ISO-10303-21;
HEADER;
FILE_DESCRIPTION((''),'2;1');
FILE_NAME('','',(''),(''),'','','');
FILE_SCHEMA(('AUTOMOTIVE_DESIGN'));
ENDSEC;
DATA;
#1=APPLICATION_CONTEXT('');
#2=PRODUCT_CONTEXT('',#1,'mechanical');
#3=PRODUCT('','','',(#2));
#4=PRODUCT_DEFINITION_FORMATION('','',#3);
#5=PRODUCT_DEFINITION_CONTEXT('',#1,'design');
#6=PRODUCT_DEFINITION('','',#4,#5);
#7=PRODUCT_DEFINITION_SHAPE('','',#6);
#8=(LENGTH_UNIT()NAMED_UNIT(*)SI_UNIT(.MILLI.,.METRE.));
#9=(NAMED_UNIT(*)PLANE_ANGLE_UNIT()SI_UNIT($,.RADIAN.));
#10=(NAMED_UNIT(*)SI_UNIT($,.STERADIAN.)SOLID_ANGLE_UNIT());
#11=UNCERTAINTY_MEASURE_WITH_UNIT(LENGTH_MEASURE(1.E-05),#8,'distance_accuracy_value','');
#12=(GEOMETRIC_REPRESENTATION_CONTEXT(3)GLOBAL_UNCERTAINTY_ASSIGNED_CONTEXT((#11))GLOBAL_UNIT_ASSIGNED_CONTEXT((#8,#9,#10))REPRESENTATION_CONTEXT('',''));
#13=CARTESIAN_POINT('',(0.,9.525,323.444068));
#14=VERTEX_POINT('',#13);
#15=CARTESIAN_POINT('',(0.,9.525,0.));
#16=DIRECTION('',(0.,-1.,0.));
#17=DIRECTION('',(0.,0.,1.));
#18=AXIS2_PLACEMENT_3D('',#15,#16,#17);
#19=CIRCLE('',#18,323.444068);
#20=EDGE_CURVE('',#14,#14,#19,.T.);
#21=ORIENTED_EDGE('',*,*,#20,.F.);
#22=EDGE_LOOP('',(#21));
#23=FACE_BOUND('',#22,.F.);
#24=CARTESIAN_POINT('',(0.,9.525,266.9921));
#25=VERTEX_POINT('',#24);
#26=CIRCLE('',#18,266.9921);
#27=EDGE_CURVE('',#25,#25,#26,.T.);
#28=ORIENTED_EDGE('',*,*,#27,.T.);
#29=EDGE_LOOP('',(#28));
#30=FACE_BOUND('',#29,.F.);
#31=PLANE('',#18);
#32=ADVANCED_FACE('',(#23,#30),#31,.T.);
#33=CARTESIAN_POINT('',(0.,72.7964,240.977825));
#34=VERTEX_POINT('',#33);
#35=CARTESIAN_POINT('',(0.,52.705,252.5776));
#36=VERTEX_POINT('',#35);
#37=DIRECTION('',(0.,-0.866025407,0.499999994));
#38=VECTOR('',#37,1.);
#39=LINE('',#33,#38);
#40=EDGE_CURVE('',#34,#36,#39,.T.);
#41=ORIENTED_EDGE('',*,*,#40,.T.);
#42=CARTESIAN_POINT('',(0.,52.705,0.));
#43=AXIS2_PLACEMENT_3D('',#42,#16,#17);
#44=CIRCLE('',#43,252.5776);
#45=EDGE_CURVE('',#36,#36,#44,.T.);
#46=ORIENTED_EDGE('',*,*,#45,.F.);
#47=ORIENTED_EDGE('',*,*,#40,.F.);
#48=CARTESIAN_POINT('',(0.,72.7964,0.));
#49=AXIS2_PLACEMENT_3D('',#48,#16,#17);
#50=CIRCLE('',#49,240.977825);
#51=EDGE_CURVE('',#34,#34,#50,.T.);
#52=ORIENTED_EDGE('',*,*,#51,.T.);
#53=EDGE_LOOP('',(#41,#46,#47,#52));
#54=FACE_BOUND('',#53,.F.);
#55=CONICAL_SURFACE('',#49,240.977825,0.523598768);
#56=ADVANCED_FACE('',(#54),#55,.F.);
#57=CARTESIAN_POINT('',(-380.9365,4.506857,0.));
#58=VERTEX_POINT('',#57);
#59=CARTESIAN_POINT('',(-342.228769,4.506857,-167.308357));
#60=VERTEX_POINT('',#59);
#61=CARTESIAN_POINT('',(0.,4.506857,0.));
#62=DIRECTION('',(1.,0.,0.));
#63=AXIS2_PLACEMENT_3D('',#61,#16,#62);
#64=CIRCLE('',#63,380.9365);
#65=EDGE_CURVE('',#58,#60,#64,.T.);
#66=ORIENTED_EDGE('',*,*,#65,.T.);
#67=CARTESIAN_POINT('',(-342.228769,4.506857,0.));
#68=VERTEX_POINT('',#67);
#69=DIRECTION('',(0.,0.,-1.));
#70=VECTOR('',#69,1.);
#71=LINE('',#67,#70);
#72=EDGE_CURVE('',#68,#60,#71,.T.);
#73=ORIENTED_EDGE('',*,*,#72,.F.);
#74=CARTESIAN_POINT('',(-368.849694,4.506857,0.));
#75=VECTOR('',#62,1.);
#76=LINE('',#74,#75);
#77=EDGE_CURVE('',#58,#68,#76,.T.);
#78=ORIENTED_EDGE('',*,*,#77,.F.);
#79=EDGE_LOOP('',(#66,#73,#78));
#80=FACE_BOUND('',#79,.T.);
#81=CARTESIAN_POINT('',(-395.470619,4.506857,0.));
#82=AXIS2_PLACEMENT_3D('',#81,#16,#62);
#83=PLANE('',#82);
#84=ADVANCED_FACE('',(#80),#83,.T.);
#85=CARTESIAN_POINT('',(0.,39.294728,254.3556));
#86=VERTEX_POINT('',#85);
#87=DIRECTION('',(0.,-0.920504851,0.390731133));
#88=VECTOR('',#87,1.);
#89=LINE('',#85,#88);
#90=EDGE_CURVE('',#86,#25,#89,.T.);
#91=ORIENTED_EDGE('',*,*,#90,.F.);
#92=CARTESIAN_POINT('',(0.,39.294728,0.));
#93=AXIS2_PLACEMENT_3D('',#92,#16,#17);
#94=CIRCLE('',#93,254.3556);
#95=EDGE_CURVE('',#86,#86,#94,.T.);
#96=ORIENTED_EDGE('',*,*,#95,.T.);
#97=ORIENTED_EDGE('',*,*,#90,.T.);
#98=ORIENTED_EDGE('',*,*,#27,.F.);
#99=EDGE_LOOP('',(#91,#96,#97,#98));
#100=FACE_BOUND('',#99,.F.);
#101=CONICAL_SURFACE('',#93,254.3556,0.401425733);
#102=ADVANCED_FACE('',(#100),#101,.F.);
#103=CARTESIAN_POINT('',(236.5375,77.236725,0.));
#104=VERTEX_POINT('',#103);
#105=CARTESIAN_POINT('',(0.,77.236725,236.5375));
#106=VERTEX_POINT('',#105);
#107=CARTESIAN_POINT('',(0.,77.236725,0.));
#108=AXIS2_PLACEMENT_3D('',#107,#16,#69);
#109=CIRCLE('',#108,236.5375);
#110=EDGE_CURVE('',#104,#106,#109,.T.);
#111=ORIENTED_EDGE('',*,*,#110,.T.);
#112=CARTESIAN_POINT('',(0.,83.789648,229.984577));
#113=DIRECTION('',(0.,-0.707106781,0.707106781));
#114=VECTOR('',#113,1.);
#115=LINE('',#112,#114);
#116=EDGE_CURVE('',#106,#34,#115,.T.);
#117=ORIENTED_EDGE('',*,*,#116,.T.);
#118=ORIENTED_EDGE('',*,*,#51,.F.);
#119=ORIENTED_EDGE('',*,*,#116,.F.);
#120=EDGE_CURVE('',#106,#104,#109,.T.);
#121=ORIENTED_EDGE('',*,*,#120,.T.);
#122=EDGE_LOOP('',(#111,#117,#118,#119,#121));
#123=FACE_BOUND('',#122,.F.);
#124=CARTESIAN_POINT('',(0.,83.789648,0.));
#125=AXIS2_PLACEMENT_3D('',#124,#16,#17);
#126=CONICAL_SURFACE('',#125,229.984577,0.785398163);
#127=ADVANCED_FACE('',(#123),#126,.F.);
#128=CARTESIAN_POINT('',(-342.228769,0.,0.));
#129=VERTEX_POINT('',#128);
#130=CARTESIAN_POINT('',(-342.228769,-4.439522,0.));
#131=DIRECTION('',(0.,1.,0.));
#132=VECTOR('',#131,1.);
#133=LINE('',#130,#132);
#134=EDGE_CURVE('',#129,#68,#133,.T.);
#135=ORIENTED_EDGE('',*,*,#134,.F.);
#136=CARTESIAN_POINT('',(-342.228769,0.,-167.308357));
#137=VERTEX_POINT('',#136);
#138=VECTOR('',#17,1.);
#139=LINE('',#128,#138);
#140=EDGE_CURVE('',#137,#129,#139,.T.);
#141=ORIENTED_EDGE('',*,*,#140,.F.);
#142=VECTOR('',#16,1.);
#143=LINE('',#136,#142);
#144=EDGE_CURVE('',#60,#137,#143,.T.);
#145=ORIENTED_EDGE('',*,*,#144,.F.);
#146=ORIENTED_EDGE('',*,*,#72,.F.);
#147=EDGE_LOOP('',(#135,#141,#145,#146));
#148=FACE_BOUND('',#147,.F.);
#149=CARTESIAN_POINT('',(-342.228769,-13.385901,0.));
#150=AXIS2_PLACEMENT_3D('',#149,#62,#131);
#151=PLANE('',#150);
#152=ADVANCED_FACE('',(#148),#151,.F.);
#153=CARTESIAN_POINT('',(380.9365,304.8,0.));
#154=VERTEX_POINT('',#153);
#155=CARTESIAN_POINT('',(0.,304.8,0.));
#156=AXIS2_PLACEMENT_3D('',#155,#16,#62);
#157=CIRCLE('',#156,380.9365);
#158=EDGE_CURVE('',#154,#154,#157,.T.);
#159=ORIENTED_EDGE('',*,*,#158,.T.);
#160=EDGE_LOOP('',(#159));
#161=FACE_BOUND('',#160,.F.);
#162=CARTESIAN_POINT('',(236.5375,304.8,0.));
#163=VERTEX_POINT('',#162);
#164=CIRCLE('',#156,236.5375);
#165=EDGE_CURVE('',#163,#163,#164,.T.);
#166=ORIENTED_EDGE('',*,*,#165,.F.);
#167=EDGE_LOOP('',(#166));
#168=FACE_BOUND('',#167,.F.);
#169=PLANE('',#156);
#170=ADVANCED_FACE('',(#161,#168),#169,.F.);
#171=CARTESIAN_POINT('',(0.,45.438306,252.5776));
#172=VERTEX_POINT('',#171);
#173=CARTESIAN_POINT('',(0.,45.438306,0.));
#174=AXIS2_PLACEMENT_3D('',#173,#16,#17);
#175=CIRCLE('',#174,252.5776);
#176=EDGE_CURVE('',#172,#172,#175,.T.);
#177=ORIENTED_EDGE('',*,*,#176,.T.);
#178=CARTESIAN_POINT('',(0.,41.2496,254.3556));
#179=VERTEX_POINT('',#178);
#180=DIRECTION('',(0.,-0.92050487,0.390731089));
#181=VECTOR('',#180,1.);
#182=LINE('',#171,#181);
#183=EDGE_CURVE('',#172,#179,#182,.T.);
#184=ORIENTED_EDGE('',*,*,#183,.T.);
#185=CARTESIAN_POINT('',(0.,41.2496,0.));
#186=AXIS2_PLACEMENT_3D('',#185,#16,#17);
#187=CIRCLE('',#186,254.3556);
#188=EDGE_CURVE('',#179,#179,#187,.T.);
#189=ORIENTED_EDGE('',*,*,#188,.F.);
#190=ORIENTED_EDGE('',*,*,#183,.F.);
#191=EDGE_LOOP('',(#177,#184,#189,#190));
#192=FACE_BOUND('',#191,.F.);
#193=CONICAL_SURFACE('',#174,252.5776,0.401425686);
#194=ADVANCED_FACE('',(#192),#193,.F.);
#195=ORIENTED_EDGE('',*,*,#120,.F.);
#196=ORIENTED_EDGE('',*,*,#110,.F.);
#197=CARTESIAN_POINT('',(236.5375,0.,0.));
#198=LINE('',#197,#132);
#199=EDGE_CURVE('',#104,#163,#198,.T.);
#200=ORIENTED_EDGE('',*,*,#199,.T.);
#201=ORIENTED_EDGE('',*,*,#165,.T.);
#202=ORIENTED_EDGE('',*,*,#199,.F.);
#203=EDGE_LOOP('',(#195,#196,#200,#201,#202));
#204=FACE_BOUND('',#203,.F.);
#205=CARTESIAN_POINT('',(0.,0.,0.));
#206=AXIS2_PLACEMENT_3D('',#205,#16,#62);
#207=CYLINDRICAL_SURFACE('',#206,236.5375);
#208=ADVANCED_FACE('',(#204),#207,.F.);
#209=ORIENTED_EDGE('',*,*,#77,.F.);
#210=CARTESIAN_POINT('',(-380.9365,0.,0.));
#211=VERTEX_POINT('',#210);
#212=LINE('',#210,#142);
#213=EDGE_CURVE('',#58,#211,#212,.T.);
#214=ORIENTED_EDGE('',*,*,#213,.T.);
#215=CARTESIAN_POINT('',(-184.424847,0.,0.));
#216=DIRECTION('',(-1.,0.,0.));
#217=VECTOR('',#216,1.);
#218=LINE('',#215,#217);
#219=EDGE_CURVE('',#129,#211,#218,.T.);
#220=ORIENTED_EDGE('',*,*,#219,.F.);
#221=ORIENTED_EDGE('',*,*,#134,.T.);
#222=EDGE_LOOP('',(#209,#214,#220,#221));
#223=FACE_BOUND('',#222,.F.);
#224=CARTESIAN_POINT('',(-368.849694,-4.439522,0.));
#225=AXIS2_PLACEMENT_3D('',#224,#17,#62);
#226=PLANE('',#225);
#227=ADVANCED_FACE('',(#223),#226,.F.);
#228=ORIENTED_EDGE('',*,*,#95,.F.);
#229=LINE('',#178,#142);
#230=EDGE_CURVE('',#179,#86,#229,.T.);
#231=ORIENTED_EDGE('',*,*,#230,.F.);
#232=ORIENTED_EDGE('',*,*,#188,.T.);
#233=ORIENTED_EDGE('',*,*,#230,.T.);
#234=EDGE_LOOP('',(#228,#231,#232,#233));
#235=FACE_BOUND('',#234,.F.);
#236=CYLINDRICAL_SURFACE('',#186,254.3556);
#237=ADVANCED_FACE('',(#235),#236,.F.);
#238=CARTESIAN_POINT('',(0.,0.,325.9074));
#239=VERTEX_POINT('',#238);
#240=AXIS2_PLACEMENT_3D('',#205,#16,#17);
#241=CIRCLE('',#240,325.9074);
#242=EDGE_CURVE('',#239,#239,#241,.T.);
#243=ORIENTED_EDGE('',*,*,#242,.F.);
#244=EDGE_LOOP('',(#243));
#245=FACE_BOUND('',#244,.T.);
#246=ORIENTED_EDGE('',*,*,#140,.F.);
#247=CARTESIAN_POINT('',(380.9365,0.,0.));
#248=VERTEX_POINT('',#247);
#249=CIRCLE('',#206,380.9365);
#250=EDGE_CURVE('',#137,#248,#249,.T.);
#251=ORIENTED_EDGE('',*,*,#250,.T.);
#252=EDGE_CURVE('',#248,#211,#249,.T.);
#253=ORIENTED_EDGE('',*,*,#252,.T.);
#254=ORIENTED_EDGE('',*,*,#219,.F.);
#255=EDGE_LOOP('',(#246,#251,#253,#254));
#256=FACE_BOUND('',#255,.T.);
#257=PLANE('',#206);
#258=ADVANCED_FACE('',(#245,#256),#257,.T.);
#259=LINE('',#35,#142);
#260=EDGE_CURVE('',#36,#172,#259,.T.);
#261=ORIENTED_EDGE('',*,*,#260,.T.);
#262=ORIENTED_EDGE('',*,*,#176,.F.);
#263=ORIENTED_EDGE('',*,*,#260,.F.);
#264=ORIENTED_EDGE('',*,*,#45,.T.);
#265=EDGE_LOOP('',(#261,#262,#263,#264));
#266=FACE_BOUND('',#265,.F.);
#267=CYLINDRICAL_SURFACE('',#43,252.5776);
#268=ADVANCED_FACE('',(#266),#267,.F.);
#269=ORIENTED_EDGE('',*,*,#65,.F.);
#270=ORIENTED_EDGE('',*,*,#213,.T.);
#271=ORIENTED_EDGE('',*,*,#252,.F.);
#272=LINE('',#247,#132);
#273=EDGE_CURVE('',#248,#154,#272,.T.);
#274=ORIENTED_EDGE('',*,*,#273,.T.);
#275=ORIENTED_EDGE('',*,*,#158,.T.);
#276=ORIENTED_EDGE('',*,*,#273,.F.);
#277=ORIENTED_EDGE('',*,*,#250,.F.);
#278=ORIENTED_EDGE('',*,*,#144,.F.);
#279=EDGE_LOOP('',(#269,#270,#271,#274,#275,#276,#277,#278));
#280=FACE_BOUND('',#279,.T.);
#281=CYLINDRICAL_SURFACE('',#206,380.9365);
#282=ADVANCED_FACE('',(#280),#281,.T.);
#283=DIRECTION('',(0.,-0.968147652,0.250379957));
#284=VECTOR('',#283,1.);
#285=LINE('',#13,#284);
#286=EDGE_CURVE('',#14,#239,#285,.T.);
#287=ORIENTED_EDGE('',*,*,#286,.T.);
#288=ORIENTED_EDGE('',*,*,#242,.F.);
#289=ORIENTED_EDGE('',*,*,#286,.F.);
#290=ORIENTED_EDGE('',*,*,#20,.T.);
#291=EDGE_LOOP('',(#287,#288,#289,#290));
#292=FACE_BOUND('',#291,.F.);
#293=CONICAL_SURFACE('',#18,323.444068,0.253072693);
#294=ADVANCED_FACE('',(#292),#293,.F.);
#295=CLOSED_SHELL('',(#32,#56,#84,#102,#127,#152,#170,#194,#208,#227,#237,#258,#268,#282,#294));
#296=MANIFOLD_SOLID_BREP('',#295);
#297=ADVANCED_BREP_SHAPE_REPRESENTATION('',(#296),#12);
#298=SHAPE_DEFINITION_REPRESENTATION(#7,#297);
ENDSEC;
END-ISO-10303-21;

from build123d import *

# Parameters (mm, degrees)
F0_R     = 380.9365
F0_R_2   = 236.5375
F1_DEPTH = 304.8
F6_W     = 53.241849
F6_H     = 17.892758
F7_DEPTH = 231.14


with BuildPart() as f1:
    # F0 (on Front) → F1 (new body)
    with BuildSketch(Plane.XZ):
        Circle(F0_R)
        Circle(F0_R_2, mode=Mode.SUBTRACT)
    extrude(amount=-F1_DEPTH)

    # F2 (on Right) → F3 (revolve, cut)
    with BuildSketch(Plane.YZ):
        Polygon((-0.674657, 0), (0, 0), (9.525, 0), (9.525, 323.444068), (0, 325.9074), (-38.13795, 325.9074), align=None)
    revolve(axis=Axis((0, -111.905819, 0), (0, -1, 0)), mode=Mode.SUBTRACT)

    # F4 (on Right) → F5 (revolve, cut)
    with BuildSketch(Plane.YZ):
        Polygon((39.294728, 254.3556), (9.525, 266.9921), (-83.954796, 266.9921), (-48.076838, 187.997639), (83.789648, 229.984577), (72.7964, 240.977825), (52.705, 252.5776), (45.438306, 252.5776), (41.2496, 254.3556), align=None)
    revolve(axis=Axis((0, 0, 0), (0, -1, 0)), mode=Mode.SUBTRACT)

    # F6 (on Top) → F7 (cut)
    with BuildSketch(Plane.XY):
        with Locations((-368.849694, -4.439522)):
            Rectangle(F6_W, F6_H)
    extrude(amount=-F7_DEPTH, mode=Mode.SUBTRACT)


solid = f1.part
